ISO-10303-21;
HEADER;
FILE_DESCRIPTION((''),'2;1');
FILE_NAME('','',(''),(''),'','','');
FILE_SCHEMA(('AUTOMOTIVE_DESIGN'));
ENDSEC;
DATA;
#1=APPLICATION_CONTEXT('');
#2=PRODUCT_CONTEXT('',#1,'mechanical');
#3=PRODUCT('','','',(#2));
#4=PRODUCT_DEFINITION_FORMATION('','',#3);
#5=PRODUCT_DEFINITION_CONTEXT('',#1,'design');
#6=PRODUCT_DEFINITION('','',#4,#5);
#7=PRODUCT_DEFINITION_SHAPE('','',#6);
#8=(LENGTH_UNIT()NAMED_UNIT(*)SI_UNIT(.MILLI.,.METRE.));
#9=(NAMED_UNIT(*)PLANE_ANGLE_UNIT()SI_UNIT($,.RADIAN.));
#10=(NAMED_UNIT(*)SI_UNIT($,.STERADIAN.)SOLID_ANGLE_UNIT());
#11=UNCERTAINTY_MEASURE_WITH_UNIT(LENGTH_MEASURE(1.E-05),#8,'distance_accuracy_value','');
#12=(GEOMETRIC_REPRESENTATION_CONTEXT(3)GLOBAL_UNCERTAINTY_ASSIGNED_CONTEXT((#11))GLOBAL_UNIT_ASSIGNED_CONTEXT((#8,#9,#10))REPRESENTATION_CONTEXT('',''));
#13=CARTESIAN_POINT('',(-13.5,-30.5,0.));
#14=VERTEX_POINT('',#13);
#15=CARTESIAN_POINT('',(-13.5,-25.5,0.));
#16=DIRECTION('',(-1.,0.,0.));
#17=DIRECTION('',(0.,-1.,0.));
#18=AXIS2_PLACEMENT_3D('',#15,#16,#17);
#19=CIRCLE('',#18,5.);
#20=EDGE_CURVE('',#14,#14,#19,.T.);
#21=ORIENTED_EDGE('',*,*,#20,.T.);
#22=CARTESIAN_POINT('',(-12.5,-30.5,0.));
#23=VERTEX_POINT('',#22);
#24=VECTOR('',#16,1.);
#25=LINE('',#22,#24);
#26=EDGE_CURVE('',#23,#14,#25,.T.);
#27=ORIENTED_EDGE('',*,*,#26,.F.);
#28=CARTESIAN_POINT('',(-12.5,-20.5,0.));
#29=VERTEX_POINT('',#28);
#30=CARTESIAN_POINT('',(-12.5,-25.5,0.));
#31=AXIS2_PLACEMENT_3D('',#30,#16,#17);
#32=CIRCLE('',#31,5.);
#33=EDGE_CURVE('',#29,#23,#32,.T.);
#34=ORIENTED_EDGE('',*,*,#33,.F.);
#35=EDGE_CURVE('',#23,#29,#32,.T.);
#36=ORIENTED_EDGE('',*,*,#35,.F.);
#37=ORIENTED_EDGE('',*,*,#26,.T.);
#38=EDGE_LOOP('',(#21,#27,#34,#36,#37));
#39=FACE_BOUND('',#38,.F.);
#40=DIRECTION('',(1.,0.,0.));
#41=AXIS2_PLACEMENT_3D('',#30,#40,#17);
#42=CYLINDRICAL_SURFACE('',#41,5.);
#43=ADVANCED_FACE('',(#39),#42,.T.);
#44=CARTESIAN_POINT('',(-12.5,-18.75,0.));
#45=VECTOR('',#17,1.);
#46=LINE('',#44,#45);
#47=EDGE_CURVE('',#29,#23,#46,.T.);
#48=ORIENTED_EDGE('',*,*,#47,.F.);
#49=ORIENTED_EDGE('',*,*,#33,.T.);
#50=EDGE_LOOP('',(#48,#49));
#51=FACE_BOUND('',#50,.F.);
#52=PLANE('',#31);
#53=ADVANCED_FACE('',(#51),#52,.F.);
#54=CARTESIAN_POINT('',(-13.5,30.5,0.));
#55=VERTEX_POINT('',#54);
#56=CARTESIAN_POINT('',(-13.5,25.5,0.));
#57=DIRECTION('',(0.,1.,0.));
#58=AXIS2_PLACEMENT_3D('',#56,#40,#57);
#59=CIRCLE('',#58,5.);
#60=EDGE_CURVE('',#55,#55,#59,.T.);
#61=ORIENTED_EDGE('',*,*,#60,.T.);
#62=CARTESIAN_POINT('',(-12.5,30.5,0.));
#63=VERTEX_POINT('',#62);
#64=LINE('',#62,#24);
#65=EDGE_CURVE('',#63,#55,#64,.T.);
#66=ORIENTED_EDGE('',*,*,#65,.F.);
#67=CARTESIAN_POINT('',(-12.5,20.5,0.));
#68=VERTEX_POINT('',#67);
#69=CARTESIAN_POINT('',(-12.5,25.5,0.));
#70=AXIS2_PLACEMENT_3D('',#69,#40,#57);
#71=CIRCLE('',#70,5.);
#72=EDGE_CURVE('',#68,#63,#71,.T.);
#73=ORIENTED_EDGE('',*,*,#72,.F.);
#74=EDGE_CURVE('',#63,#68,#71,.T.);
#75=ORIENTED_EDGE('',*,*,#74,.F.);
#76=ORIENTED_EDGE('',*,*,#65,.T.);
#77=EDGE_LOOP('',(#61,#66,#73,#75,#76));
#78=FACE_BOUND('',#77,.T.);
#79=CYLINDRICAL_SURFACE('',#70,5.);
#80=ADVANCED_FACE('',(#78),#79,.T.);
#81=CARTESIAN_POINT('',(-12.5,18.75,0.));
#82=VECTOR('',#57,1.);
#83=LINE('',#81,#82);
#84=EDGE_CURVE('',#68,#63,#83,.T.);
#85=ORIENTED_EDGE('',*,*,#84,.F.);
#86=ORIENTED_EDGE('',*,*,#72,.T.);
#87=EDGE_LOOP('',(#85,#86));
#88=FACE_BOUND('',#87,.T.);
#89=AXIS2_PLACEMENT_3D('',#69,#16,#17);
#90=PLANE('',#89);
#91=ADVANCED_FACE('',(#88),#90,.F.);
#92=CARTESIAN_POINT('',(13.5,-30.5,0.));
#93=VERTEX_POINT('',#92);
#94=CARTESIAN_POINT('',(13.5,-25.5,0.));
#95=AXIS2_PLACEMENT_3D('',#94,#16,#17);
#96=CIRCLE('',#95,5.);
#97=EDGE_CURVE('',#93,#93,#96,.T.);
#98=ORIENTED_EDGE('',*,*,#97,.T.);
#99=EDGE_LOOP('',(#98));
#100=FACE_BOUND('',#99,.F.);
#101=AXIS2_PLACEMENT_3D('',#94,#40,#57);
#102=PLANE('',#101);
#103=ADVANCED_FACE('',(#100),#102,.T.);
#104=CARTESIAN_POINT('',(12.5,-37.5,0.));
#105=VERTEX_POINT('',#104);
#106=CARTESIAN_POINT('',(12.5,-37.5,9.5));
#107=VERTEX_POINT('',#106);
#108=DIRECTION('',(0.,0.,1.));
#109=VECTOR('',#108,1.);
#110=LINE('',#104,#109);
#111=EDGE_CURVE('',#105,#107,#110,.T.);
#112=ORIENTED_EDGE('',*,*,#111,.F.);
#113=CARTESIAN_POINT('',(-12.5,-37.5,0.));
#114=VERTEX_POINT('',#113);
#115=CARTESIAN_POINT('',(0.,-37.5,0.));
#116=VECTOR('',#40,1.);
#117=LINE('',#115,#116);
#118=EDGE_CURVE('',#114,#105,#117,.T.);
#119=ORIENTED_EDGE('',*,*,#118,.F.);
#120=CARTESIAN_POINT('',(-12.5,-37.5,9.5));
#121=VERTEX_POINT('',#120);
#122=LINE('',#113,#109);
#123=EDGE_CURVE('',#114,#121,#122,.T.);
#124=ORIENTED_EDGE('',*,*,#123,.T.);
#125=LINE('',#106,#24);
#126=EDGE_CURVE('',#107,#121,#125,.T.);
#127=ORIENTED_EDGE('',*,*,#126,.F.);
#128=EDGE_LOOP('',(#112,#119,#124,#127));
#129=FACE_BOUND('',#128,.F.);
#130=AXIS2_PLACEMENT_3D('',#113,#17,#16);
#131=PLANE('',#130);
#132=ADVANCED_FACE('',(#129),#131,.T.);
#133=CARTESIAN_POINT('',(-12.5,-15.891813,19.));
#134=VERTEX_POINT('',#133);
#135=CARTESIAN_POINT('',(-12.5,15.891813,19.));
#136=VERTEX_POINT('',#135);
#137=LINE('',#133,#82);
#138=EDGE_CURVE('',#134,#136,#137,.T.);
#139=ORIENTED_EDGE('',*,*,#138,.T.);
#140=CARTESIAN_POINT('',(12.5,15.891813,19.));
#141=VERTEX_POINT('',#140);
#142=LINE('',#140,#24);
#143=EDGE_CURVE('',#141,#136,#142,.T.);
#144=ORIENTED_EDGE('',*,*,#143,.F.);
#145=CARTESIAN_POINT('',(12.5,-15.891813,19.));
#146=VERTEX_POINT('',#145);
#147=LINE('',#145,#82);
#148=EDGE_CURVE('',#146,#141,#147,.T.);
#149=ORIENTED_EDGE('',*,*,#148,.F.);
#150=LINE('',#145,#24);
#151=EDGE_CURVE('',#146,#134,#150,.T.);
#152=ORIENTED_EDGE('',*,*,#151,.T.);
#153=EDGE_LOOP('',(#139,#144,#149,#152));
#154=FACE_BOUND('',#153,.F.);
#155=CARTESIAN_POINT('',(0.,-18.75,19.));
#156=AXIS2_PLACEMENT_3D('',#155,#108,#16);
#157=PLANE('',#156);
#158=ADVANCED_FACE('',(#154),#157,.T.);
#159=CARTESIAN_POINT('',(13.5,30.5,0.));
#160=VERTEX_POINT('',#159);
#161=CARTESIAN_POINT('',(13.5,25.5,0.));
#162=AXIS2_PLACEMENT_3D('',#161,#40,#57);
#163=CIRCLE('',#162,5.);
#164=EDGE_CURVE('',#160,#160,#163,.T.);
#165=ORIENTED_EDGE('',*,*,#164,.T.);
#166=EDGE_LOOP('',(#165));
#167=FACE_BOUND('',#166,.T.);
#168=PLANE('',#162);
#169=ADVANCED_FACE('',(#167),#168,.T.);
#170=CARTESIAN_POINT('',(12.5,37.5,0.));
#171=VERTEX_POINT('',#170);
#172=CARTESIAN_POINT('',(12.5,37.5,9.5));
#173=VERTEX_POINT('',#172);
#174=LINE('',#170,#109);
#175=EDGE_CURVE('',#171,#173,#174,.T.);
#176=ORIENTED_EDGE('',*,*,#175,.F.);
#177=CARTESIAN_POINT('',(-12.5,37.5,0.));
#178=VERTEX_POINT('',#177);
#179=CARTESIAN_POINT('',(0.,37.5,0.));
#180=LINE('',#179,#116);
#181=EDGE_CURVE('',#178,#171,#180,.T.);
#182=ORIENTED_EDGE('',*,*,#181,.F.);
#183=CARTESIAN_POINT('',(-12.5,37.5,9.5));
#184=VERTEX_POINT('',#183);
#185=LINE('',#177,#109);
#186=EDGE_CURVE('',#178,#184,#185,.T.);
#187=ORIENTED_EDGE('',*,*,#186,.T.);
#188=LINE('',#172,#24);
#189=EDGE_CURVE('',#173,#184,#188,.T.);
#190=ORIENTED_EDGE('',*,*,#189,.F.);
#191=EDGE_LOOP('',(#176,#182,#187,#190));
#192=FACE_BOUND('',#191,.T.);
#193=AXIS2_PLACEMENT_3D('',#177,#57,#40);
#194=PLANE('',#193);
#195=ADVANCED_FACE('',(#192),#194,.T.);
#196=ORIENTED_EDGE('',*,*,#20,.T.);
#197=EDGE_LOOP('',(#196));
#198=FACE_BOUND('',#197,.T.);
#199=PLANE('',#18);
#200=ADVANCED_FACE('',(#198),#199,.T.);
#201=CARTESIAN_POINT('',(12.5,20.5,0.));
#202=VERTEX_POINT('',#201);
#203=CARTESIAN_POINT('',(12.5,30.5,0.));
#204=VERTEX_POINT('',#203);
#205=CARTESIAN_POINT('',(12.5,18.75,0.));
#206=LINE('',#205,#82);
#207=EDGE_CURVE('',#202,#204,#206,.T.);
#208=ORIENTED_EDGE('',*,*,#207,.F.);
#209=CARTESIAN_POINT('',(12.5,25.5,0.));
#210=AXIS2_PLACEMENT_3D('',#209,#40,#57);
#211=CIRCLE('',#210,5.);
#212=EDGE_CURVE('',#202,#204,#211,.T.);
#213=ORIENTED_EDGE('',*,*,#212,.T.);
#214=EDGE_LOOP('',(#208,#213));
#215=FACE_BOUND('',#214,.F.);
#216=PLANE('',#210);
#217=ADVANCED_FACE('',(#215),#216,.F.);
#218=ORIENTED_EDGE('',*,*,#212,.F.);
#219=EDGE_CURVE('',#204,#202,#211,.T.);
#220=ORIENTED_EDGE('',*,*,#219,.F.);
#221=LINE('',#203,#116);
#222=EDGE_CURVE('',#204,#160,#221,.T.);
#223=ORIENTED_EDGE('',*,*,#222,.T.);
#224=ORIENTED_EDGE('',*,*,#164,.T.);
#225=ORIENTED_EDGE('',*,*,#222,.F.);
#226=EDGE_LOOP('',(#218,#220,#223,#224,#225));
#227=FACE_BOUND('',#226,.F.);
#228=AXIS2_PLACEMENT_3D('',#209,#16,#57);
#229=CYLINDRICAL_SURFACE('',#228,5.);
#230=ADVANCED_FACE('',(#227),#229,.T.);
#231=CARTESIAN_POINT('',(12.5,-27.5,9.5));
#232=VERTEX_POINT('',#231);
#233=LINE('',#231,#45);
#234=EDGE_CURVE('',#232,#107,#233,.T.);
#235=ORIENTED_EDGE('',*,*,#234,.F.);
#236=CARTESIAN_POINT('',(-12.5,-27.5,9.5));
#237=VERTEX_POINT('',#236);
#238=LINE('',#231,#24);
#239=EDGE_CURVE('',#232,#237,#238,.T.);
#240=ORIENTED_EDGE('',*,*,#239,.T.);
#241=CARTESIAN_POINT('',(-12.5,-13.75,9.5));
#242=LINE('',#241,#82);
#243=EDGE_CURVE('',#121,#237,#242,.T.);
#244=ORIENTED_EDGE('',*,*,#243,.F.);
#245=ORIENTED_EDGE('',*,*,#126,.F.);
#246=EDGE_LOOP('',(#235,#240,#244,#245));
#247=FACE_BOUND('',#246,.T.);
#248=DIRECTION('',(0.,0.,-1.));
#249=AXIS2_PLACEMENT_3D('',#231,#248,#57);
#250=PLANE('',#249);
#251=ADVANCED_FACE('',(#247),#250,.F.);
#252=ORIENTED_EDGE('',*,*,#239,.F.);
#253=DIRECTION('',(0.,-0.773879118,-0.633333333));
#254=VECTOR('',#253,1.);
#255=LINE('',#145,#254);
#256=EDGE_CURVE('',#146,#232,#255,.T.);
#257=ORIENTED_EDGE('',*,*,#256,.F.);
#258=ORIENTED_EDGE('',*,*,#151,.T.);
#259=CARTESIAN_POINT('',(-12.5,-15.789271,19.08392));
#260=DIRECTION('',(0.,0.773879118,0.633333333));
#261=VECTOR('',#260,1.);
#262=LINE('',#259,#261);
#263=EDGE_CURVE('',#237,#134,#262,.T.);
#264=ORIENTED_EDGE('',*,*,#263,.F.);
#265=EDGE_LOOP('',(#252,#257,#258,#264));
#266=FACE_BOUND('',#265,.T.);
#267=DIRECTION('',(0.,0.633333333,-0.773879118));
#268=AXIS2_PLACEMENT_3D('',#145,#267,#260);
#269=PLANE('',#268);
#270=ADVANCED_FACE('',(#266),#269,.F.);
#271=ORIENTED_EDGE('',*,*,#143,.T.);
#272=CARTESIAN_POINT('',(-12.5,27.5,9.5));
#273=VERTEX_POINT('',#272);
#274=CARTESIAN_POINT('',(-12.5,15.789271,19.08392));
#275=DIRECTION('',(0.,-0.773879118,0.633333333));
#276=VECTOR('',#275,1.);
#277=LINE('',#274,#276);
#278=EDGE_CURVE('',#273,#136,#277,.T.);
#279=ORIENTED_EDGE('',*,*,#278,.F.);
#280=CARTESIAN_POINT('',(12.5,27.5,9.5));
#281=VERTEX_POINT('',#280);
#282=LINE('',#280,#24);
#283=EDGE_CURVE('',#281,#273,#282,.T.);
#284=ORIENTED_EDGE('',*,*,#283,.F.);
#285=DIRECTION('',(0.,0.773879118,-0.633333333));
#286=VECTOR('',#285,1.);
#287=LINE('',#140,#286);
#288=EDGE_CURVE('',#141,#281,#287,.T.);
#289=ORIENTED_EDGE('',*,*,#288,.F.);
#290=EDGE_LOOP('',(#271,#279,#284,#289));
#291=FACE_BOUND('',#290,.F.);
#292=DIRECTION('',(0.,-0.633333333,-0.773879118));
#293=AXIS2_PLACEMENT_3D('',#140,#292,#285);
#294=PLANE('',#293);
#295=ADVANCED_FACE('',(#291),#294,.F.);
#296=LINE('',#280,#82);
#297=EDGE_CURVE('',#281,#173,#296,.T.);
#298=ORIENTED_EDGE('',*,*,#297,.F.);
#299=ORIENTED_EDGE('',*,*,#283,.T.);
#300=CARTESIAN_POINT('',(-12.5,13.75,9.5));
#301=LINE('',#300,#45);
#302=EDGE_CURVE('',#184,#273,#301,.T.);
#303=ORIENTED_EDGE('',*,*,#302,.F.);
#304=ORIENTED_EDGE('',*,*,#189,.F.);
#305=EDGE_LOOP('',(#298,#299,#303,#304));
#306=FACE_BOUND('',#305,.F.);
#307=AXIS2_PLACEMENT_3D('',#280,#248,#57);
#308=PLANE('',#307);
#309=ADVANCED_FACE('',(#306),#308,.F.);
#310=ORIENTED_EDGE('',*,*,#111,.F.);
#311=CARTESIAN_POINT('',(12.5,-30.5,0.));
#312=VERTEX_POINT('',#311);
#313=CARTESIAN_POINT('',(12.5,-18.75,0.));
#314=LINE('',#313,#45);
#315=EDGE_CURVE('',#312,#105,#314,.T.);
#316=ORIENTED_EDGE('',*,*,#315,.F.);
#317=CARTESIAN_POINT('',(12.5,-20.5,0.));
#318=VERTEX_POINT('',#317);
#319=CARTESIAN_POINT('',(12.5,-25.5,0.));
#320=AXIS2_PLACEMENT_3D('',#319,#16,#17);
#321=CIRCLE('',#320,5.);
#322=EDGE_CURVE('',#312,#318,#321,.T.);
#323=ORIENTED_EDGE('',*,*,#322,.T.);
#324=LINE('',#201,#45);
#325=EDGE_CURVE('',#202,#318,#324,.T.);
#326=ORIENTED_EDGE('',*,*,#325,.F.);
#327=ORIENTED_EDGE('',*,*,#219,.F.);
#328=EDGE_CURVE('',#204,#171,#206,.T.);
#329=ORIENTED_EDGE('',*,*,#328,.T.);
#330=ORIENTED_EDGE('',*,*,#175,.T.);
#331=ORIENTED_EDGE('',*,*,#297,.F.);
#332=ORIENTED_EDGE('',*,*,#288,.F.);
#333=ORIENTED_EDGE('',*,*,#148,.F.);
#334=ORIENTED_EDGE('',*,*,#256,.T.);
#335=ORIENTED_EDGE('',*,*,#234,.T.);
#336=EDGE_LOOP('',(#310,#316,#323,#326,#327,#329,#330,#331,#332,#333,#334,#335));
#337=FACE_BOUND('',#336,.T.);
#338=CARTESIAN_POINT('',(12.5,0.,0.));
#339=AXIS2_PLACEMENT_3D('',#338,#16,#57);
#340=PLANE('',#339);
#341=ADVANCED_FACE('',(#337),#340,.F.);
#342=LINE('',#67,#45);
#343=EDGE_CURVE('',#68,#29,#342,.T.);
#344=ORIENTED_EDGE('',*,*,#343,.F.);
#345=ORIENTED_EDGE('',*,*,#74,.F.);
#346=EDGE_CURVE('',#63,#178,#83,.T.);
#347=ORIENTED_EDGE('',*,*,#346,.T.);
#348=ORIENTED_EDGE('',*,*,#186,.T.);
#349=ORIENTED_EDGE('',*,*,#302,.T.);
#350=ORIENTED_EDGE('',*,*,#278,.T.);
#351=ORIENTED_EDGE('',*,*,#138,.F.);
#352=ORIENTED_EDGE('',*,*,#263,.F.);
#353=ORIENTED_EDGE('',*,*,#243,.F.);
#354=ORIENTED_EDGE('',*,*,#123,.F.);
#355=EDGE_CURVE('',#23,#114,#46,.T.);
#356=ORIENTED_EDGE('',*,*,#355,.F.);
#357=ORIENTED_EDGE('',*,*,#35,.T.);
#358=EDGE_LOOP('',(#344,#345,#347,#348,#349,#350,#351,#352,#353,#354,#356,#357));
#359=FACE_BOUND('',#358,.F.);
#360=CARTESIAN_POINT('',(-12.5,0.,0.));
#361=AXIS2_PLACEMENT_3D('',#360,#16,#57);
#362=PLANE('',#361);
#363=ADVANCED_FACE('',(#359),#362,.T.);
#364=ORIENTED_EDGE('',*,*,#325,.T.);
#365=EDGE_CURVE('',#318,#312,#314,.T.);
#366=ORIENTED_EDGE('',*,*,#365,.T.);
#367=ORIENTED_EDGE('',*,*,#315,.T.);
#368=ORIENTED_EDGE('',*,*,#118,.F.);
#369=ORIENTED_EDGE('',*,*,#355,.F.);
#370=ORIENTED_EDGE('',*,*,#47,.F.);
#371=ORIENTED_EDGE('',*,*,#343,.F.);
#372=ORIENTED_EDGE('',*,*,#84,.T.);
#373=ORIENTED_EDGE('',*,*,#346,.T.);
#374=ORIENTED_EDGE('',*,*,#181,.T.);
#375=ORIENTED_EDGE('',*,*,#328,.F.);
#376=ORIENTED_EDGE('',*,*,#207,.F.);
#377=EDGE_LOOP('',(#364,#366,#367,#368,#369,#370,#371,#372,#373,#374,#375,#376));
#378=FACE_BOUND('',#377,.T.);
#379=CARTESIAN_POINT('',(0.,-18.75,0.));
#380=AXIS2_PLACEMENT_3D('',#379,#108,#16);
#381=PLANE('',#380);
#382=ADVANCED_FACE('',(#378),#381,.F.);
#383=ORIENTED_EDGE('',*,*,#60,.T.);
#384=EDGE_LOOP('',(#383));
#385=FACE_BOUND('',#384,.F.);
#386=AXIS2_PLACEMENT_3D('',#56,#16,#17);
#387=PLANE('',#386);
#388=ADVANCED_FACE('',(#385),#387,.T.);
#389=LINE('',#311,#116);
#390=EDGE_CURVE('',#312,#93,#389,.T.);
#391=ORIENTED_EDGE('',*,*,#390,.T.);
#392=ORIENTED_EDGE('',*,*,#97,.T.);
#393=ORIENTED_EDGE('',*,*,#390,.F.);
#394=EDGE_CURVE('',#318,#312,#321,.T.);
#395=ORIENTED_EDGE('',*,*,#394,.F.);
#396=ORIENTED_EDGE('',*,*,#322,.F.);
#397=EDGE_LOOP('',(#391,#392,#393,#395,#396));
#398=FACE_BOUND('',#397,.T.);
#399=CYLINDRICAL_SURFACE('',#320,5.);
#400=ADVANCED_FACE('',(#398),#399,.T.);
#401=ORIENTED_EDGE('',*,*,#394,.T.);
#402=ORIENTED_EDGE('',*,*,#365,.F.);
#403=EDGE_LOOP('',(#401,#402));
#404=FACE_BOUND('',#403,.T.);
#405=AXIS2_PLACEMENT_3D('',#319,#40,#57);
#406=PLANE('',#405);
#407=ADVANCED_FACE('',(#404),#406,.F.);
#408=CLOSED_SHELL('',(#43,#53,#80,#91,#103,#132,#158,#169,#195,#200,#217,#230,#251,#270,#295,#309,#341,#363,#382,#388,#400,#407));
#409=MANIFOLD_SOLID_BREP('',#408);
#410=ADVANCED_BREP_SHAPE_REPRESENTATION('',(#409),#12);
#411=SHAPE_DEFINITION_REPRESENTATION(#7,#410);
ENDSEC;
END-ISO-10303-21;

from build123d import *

# Parameters (mm, degrees)
F0_W     = 25
F0_H     = 37.5
F1_DEPTH = 19
F2_R     = 5
F3_DEPTH = 1
F5_DEPTH = 25.001


with BuildPart() as f1:
    # F0 (on Top) → F1 (new body)
    with BuildSketch(Plane.XY):
        with Locations((0, 18.75)):
            Rectangle(F0_W, F0_H)
    extrude(amount=F1_DEPTH)

    # F4 (on face) → F5 (cut, through all)
    with BuildSketch(Plane.YZ.offset(12.5)):
        Polygon((27.5, 9.5), (37.5, 9.5), (37.5, 19), (15.8918132338, 19), align=None)
    extrude(amount=-F5_DEPTH, mode=Mode.SUBTRACT)



with BuildPart() as f3:
    # F2 (on face) → F3 (new body)
    with BuildSketch(Plane.YZ.offset(12.5)):
        with Locations((25.5, 0)):
            Circle(F2_R)
    extrude(amount=F3_DEPTH)


with BuildPart() as f1_1:
    add(f1.part)

    add(f3.part)  # F6 merges F3
    # F6: F1, F3 across plane
    add(f1.part.mirror(Plane.YZ))
    add(f3.part.mirror(Plane.YZ))

    # F7: F1 across plane


with BuildPart() as f1_2:
    add(f1_1.part)
    add(f1_1.part.mirror(Plane.XZ))


solid = f1_2.part
